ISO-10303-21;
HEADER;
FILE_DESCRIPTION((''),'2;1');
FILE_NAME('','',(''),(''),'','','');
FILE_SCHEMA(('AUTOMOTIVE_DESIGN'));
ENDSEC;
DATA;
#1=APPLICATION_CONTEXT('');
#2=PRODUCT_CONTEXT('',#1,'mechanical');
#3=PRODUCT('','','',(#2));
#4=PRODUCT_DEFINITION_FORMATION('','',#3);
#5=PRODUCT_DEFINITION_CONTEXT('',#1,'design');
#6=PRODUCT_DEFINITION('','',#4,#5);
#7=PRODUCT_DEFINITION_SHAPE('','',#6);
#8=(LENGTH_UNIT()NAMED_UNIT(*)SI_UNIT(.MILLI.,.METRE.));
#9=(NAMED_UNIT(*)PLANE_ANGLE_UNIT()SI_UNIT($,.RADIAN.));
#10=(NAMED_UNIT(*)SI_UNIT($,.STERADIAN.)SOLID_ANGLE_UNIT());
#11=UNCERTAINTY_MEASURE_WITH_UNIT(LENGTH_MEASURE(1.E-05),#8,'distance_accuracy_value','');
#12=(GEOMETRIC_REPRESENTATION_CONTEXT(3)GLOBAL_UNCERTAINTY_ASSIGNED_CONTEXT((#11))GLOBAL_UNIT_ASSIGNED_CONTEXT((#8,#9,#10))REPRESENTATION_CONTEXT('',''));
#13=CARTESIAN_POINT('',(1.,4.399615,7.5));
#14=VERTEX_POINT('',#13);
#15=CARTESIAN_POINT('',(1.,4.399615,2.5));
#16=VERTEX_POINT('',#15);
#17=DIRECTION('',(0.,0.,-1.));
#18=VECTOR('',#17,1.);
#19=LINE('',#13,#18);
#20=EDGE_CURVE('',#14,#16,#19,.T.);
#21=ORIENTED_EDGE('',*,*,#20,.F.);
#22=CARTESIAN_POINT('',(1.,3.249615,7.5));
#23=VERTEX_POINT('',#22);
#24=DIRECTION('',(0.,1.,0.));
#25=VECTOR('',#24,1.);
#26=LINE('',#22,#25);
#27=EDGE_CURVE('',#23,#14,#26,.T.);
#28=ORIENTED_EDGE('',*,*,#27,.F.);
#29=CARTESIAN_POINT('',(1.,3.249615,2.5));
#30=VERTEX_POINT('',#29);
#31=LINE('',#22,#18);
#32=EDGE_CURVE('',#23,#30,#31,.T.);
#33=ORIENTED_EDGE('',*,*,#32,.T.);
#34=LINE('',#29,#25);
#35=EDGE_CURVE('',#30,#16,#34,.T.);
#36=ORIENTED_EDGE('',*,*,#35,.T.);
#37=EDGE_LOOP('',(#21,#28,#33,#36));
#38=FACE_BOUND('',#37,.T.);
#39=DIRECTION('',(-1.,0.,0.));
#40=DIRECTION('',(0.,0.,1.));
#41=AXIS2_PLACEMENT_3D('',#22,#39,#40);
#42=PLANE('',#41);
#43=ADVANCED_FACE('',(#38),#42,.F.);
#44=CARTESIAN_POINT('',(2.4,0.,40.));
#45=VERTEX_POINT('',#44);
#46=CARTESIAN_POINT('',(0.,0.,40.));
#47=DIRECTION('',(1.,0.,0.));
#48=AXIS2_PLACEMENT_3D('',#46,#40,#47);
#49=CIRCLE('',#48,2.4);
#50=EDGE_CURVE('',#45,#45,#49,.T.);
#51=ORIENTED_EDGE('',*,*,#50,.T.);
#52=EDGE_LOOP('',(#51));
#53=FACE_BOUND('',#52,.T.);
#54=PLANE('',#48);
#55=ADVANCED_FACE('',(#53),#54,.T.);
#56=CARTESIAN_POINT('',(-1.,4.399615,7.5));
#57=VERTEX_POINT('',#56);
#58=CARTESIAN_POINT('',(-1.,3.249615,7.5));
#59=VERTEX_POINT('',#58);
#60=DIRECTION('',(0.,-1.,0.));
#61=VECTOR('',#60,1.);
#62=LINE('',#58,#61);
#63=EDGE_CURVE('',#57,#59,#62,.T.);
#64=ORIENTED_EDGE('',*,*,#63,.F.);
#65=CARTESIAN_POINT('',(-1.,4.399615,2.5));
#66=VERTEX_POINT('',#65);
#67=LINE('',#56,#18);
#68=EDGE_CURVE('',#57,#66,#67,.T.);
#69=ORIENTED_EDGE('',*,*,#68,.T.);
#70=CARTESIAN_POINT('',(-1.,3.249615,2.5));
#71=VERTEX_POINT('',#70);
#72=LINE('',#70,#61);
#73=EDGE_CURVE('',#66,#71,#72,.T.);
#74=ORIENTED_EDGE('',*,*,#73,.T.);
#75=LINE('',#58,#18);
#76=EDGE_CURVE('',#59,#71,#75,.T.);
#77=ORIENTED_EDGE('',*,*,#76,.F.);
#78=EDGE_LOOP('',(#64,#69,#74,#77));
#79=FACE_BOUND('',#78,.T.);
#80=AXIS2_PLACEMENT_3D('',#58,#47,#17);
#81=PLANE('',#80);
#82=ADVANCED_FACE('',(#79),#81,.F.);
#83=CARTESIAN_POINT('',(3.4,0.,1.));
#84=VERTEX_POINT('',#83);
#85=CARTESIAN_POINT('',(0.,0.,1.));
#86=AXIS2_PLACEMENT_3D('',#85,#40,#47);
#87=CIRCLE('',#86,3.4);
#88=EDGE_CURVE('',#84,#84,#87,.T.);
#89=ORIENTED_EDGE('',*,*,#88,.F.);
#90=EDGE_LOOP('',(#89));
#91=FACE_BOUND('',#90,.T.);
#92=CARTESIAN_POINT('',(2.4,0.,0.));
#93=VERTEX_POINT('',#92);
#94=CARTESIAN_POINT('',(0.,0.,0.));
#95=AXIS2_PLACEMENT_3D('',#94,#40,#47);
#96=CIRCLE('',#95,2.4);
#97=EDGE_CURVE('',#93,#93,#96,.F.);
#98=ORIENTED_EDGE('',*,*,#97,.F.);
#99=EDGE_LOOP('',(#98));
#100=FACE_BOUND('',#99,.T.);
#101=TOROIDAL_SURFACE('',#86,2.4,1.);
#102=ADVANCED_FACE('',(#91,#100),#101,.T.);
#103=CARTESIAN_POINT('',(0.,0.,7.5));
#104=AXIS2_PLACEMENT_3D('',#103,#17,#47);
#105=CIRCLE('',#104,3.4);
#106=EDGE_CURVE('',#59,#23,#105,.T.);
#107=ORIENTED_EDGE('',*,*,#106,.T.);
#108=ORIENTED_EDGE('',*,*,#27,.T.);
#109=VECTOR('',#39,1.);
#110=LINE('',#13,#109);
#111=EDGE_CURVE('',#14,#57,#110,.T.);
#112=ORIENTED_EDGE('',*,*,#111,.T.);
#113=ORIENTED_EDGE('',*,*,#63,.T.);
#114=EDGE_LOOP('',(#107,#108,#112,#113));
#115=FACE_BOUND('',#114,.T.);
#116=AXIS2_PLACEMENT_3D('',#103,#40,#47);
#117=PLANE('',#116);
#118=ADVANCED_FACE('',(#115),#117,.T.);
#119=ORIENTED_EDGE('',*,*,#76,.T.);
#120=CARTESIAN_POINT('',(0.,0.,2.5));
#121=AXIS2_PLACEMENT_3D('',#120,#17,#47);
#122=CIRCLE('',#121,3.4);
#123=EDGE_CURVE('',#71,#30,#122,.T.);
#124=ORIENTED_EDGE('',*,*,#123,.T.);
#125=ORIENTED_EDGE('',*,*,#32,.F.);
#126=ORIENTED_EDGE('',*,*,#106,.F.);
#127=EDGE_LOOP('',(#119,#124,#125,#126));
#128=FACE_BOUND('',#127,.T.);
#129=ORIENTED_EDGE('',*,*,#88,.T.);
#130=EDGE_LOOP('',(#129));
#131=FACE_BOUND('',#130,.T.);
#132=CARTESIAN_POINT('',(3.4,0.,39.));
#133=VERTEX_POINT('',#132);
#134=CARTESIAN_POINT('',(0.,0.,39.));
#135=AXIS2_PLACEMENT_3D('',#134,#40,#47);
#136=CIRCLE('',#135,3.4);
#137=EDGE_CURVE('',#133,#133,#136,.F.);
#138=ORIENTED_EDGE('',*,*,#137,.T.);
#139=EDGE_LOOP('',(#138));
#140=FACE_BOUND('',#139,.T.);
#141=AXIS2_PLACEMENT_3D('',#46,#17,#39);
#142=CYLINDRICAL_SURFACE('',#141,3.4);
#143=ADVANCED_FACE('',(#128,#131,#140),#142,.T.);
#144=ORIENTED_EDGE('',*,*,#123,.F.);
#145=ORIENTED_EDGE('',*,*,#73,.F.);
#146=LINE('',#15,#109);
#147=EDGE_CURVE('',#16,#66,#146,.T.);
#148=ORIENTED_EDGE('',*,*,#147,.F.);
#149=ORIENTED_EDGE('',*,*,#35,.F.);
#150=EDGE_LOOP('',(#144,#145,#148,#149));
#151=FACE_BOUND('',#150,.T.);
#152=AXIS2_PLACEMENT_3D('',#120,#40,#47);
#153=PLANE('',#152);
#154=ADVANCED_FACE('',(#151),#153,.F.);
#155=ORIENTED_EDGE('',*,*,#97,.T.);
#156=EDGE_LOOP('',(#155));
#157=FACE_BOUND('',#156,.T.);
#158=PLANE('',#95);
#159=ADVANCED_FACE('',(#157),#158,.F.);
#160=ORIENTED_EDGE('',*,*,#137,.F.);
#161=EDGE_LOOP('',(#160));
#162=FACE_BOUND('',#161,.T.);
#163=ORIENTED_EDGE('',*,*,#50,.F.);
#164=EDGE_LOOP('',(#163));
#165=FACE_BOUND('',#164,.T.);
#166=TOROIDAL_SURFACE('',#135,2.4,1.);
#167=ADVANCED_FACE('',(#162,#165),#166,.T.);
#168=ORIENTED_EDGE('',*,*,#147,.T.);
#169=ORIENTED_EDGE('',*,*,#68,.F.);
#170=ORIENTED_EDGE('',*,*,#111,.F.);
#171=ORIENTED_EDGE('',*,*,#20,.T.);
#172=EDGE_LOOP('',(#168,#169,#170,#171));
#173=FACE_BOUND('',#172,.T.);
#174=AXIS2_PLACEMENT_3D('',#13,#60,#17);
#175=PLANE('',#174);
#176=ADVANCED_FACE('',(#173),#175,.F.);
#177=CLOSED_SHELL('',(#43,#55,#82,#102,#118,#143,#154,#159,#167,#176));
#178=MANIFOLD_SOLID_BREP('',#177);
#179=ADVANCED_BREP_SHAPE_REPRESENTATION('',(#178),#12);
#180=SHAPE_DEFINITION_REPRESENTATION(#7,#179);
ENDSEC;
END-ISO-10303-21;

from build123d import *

# Parameters (mm, degrees)
SKETCH1_R           = 3.4
BOSS_EXTRUDE1_DEPTH = 40
FILLET2_R           = 1
BOSS_EXTRUDE2_DEPTH = 5


with BuildPart() as part:
    # Sketch1 → Boss-Extrude1 (new body)
    with BuildSketch(Plane.XY):
        Circle(SKETCH1_R)
    extrude(amount=BOSS_EXTRUDE1_DEPTH)

    # Fillet2
    fillet2_edges = [part.edges().sort_by_distance(p)[0] for p in [
        (-3.4, 0, 0),
        (-3.4, 0, 40),
    ]]
    fillet(fillet2_edges, radius=FILLET2_R)

    # Sketch2 → Boss-Extrude2 (add)
    with BuildSketch(Plane.XY.offset(2.5)):
        with BuildLine():
            Line((1, 3.249615362), (1, 4.399615362))
            Line((1, 4.399615362), (-1, 4.399615362))
            Line((-1, 4.399615362), (-1, 3.249615362))
            ThreePointArc((-1, 3.249615362), (0, 3.4), (1, 3.249615362))
        make_face()
    extrude(amount=BOSS_EXTRUDE2_DEPTH)


solid = part.part
